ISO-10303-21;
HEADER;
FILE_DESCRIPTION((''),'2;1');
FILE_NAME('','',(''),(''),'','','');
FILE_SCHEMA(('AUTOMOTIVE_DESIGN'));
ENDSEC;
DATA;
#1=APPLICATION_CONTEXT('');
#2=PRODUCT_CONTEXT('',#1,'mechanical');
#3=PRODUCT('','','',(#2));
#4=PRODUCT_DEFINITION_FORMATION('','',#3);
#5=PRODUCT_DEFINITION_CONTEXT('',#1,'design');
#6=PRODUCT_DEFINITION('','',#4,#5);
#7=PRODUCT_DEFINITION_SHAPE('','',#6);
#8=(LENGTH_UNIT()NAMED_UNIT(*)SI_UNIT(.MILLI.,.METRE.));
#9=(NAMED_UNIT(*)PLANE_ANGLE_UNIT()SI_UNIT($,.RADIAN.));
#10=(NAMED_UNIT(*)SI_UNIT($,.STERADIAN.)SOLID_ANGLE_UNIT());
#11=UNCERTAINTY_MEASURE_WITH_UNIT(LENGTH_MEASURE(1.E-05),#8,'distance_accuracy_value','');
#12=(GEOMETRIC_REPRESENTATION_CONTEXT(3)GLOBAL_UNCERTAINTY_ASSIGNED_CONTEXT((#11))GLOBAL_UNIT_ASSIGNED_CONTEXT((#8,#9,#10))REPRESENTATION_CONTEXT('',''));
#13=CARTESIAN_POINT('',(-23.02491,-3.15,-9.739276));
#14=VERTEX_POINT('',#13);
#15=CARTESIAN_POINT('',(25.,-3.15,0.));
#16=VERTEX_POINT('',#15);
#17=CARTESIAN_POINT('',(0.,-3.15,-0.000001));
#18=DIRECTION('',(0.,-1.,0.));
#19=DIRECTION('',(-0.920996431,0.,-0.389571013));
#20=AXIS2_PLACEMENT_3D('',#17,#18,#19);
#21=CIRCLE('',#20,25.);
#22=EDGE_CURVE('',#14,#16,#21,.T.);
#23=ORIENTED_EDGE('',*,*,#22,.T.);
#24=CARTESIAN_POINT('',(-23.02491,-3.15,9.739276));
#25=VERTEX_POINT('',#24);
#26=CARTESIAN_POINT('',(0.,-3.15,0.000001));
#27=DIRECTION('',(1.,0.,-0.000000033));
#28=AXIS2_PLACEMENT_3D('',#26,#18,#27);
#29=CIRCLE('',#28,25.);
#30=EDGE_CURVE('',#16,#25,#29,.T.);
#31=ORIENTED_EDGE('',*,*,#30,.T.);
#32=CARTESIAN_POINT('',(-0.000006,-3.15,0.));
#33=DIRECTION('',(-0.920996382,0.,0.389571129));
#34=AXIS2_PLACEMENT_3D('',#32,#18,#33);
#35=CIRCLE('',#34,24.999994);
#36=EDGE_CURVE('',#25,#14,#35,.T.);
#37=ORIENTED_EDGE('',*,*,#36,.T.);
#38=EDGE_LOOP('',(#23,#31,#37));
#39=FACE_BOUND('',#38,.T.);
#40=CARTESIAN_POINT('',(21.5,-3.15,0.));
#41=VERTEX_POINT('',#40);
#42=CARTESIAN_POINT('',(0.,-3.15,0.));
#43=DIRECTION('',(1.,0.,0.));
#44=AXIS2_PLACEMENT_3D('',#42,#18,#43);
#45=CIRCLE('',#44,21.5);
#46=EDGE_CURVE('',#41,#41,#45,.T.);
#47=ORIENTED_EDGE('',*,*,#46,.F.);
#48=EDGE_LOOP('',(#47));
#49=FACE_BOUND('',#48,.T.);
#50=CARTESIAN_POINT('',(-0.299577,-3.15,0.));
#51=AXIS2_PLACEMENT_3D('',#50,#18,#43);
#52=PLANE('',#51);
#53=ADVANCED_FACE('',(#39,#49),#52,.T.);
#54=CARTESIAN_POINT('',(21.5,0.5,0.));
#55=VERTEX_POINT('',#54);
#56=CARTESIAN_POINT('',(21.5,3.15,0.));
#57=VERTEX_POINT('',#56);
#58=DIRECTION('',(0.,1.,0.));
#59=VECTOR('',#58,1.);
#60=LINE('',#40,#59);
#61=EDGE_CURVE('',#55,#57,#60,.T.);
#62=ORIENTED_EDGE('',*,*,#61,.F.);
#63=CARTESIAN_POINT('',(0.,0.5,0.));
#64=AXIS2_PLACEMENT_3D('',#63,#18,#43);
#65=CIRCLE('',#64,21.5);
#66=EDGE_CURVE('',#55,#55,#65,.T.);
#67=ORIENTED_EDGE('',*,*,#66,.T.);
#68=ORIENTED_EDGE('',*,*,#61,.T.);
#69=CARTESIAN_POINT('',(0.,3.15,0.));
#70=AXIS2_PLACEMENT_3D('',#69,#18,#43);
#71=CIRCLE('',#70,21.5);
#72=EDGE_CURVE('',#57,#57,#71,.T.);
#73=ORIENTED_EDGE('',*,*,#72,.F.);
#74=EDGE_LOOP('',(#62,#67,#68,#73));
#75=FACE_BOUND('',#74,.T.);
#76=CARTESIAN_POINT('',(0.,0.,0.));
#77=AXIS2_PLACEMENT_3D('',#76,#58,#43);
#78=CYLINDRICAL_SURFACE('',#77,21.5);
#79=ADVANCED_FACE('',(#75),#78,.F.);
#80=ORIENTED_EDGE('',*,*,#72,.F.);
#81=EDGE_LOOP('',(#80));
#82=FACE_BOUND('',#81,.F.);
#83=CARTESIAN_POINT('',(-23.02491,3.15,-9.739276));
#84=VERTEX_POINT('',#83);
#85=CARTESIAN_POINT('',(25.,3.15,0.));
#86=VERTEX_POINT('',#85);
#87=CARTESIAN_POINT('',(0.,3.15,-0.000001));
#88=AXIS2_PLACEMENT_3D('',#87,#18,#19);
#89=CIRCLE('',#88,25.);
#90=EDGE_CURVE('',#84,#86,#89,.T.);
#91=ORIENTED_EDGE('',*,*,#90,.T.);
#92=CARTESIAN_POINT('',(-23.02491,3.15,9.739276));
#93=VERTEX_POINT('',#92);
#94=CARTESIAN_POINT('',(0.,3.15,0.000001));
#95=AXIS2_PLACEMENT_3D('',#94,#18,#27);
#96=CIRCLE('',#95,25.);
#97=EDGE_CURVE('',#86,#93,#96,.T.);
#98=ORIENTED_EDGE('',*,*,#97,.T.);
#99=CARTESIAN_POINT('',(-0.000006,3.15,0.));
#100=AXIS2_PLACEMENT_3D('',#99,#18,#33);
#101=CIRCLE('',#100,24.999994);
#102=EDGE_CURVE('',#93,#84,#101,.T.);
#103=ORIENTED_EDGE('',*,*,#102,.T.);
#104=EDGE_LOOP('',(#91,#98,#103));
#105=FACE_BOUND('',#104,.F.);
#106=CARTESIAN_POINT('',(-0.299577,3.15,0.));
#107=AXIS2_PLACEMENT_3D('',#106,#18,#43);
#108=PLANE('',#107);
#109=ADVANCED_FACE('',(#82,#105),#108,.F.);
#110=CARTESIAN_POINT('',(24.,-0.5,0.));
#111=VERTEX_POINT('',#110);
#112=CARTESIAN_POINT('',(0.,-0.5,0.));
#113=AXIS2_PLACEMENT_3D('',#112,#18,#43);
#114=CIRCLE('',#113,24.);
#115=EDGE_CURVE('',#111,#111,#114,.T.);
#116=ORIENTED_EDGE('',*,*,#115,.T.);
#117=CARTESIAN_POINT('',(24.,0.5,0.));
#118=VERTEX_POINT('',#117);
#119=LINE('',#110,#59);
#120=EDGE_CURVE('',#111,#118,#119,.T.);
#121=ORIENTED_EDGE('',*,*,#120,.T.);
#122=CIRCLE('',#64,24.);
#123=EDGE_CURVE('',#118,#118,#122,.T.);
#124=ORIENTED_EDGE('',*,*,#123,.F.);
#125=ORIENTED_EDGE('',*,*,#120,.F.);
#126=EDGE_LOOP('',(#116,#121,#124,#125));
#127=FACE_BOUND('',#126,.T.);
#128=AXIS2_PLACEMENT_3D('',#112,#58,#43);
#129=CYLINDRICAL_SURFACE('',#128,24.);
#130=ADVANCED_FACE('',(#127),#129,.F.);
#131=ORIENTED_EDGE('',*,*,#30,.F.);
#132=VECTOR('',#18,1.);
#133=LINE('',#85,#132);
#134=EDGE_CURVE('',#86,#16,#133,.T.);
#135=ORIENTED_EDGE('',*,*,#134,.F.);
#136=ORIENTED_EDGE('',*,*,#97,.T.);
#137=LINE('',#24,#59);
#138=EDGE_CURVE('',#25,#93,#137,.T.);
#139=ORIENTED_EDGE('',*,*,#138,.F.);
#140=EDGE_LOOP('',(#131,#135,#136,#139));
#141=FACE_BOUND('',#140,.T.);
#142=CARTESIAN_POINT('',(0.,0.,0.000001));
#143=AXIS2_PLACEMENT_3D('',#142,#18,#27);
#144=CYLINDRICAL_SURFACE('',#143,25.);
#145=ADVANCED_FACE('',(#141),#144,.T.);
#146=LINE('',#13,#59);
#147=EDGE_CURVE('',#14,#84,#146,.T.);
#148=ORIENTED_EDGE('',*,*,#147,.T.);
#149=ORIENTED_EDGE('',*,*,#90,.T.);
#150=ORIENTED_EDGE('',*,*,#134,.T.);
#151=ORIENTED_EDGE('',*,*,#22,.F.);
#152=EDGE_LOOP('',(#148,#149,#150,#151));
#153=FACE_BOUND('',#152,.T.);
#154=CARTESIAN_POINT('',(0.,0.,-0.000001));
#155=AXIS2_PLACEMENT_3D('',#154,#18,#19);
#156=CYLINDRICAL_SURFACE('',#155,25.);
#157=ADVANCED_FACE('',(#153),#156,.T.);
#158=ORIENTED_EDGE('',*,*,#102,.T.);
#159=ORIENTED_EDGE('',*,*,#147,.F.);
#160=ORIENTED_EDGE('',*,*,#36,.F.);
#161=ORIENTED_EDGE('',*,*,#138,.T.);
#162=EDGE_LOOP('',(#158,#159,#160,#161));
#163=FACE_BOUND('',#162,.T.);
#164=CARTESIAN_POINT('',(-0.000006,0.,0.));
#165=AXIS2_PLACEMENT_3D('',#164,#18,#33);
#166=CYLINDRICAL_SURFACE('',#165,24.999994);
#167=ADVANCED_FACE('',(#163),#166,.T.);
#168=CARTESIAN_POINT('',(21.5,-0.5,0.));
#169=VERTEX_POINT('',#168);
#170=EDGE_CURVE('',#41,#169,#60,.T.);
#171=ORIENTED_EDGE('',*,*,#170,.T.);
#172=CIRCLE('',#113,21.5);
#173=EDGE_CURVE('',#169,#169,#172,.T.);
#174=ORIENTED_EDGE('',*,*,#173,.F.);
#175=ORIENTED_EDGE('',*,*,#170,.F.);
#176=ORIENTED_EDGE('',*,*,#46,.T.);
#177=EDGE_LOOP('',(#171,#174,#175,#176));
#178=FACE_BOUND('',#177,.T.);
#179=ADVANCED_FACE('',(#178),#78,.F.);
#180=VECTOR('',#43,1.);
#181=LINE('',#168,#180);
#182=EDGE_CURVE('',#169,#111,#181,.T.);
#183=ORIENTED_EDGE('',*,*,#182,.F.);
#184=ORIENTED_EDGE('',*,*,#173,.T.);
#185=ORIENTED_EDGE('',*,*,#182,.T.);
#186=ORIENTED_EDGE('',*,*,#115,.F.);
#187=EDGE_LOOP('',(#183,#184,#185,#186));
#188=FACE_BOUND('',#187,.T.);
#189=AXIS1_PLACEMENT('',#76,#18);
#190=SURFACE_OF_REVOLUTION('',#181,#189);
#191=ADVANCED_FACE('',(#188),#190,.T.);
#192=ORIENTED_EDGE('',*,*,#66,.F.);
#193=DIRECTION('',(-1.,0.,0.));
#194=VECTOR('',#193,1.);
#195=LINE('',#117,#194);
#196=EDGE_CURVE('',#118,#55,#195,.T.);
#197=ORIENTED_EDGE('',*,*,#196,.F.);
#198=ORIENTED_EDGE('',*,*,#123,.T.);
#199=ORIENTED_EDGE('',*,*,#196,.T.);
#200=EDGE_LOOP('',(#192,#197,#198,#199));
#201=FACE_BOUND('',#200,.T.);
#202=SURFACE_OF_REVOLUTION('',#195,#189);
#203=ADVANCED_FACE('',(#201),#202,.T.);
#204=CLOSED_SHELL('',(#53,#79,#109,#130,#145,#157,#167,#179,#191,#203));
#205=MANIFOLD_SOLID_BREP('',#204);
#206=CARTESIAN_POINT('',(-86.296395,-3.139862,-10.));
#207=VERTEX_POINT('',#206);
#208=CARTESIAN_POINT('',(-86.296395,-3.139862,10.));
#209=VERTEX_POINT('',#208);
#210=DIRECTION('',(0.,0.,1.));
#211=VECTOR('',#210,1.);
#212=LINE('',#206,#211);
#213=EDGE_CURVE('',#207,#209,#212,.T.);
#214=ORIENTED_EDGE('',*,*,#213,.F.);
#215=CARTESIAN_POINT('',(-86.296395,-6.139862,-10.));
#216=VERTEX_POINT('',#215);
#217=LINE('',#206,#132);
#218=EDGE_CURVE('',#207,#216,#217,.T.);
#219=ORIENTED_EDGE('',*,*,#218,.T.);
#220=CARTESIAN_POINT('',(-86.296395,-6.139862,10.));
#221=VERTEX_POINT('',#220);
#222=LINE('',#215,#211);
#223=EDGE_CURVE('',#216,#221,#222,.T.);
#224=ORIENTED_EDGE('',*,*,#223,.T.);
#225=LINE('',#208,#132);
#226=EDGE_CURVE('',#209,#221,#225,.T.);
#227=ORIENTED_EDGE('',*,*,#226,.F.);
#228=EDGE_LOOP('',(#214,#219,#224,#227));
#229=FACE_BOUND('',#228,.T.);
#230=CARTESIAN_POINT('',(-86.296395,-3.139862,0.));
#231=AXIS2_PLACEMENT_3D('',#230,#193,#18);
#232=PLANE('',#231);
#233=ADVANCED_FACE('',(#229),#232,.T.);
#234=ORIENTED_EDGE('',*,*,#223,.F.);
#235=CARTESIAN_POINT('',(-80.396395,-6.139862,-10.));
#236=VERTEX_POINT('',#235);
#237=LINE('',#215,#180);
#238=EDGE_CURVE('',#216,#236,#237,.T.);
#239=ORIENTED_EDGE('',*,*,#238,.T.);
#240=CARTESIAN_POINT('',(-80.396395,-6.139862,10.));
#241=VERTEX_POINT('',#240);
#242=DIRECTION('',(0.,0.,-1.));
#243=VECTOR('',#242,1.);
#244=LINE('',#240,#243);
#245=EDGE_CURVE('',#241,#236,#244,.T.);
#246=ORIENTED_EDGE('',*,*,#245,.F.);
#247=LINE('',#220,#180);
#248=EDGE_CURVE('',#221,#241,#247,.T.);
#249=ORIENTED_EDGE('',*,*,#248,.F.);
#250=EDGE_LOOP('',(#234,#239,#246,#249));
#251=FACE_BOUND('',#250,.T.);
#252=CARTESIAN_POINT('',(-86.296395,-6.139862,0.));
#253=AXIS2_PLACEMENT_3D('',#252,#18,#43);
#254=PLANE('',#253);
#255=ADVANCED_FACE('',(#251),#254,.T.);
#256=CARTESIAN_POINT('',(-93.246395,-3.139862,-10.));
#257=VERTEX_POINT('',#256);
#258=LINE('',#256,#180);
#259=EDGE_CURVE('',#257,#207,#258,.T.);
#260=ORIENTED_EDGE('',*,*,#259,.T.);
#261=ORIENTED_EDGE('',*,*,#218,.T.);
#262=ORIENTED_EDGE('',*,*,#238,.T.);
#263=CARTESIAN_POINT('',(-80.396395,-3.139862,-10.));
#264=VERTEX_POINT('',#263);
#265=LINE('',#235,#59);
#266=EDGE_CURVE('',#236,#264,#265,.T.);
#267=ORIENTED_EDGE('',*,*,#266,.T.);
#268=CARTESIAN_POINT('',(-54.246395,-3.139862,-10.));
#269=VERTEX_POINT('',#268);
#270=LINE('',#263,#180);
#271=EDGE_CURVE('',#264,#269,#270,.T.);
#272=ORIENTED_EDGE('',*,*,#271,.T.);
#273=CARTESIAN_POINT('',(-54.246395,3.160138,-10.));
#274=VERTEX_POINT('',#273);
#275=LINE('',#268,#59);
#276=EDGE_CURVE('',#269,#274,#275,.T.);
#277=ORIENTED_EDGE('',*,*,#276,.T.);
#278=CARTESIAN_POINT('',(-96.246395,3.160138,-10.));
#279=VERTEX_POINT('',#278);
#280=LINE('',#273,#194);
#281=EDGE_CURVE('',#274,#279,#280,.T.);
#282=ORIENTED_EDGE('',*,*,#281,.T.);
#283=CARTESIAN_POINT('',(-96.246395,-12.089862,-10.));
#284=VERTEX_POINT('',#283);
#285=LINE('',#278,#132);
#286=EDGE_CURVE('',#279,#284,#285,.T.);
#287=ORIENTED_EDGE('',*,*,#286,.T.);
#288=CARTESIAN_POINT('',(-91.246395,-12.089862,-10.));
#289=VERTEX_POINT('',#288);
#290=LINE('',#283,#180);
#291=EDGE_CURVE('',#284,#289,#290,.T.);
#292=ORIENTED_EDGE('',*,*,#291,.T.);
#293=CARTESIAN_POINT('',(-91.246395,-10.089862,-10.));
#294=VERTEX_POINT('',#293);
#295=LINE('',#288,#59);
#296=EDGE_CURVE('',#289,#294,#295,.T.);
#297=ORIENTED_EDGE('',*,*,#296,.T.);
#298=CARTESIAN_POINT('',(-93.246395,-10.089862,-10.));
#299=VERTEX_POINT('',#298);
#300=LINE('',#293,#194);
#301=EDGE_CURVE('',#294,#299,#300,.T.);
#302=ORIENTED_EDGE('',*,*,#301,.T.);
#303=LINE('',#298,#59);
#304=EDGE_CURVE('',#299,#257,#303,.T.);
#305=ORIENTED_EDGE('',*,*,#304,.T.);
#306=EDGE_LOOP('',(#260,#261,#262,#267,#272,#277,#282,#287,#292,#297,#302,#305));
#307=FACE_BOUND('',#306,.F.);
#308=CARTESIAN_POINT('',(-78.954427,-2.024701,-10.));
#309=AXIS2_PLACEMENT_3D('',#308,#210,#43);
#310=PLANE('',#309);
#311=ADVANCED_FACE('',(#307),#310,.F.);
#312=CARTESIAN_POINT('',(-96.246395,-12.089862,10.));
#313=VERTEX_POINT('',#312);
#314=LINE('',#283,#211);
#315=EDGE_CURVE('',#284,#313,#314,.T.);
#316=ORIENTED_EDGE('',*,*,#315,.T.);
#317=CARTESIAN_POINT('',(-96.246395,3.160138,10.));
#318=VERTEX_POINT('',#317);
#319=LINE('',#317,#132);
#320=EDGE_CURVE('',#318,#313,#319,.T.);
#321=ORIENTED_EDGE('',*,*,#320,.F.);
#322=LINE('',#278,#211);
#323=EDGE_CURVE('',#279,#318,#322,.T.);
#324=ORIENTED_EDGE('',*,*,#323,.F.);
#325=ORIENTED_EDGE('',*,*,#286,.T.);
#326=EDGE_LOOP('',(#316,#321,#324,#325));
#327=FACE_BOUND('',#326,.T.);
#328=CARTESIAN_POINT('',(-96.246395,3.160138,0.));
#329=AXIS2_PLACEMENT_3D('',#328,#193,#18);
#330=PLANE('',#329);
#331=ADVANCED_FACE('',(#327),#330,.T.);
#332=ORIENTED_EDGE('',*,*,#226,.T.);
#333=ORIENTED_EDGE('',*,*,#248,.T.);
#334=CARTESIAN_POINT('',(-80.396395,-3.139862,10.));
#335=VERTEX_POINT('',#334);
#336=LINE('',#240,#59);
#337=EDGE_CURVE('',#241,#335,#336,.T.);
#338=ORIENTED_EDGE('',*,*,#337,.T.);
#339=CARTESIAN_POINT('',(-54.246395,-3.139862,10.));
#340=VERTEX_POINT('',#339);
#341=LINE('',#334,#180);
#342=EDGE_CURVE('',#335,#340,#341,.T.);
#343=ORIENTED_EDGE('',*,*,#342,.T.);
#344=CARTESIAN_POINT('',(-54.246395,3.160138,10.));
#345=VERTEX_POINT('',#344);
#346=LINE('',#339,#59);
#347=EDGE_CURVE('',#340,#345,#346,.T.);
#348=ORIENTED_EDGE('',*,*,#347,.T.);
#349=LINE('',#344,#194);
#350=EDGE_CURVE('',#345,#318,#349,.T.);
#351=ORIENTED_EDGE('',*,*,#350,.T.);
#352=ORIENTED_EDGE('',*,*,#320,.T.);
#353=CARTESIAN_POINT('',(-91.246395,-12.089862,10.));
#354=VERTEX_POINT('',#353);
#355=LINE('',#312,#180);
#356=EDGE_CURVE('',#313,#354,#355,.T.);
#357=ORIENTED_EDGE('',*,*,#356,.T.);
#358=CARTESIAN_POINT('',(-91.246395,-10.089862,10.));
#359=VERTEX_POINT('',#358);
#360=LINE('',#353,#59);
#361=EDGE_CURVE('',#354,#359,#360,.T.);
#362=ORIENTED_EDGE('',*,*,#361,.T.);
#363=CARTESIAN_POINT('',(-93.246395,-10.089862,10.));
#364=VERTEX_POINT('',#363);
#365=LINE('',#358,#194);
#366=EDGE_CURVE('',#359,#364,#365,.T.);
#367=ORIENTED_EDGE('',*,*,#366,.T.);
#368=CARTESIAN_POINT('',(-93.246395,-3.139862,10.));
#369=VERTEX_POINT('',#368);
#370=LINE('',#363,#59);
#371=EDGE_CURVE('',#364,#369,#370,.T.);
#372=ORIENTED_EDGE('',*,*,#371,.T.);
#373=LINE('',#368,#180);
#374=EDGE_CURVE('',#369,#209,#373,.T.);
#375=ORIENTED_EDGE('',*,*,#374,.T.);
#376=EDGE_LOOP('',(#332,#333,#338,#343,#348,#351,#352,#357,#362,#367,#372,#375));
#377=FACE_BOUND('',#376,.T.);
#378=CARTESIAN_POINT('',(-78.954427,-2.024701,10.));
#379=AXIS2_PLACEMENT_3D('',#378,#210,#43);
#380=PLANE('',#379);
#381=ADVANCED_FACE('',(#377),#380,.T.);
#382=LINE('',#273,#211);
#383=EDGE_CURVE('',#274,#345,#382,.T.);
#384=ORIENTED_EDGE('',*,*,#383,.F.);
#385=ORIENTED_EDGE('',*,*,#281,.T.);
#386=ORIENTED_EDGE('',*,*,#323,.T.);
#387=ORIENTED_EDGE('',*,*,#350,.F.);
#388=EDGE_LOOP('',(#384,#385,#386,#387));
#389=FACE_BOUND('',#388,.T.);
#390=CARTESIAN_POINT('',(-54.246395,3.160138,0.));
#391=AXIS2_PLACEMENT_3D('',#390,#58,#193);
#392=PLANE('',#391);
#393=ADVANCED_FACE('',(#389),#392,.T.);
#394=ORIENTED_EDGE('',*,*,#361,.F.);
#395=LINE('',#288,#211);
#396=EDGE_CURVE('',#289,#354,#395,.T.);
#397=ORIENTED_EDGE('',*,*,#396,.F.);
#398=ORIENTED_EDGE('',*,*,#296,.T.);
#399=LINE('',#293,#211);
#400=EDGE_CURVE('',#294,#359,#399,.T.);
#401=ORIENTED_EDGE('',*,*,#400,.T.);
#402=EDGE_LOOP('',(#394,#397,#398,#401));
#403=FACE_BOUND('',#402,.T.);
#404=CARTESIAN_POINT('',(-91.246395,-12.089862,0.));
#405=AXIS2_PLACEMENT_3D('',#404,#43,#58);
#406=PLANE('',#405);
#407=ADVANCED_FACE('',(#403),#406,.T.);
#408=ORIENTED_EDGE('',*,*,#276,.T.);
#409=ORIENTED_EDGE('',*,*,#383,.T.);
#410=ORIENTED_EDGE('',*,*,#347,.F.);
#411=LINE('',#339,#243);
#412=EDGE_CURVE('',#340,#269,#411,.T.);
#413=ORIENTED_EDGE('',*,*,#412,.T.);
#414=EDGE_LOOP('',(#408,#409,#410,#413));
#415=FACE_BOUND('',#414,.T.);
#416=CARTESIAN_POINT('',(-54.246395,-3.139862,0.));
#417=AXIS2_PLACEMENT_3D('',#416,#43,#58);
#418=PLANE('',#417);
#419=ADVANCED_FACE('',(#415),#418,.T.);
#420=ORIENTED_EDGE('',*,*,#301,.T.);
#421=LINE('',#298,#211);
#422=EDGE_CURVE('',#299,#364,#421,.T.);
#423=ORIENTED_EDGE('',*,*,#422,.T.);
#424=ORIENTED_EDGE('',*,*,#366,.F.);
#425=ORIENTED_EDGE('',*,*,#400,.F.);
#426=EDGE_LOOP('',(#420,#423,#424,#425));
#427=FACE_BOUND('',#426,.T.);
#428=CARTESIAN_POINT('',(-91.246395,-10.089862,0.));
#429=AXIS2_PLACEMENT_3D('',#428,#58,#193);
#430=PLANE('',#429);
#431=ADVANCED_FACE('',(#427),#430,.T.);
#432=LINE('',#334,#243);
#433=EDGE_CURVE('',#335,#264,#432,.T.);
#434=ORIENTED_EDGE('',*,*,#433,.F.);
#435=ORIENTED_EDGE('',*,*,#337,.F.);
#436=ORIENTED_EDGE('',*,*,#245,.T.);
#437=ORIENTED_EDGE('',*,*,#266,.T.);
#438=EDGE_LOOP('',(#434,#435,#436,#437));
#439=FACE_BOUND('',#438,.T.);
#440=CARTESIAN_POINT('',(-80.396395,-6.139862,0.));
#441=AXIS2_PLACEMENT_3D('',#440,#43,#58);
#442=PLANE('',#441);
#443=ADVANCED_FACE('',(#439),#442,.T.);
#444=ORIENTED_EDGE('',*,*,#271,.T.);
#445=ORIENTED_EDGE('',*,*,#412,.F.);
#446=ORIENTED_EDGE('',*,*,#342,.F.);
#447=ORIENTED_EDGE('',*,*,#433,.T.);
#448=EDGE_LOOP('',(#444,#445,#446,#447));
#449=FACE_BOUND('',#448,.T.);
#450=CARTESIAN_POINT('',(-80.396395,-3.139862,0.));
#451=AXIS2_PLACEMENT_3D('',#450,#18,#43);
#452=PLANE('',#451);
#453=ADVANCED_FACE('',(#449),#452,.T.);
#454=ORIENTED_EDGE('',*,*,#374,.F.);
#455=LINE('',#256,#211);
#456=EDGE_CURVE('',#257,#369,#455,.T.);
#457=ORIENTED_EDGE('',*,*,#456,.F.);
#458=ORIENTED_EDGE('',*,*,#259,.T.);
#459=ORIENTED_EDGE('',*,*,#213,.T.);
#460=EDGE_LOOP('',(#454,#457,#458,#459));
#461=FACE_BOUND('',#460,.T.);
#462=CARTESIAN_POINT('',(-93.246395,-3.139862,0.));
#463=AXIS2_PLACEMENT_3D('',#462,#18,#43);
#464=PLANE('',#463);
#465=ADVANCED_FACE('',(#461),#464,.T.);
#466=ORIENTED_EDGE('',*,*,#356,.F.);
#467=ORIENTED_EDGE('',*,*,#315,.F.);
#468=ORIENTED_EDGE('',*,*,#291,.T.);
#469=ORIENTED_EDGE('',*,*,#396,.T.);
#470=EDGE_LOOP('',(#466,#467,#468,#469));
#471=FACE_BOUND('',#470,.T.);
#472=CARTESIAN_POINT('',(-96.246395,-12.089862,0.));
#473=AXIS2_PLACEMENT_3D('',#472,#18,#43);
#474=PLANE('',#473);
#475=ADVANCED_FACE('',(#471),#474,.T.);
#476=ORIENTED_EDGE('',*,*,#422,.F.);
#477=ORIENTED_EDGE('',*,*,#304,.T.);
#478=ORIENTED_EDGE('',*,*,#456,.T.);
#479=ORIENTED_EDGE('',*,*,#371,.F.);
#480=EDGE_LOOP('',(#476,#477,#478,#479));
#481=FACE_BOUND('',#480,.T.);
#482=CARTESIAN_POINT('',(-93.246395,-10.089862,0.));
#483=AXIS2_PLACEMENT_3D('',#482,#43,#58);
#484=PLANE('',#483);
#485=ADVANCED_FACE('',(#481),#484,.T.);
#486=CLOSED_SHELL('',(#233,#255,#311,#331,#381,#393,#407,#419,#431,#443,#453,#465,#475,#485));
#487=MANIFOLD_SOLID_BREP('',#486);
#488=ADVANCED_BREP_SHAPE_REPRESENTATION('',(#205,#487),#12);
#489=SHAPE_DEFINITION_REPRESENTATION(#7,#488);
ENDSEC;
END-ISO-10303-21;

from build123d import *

# Parameters (mm, degrees)
F0_R     = 21.5
F1_DEPTH = 3.15
F5_DEPTH = 10


with BuildPart() as f1:
    # F0 (on Front) → F1 (new body, symmetric)
    with BuildSketch(Plane.XZ):
        with BuildLine():
            ThreePointArc((-23.02491, -9.739276), (4.968765, -24.501253), (25, 0))
            ThreePointArc((25, 0), (4.968765, 24.501253), (-23.02491, 9.739276))
            ThreePointArc((-23.02491, 9.739276), (-25, 0), (-23.02491, -9.739276))
        make_face()
        Circle(F0_R, mode=Mode.SUBTRACT)
    extrude(amount=F1_DEPTH, both=True)

    # F3: sweep along a path in F0
    with BuildLine(Plane.XZ) as f3_path:
        CenterArc((0, 0), 21.5, 0, 360)
    # F2 (on Top) → F3 (sweep, cut)
    with BuildSketch(Plane.XY):
        Polygon((21.5, 0), (21.5, -0.5), (24, -0.5), (24, 0.5), (21.5, 0.5), align=None)
    sweep(path=f3_path.line, mode=Mode.SUBTRACT)


with BuildPart() as f5:
    # F4 (on Top) → F5 (new body, symmetric)
    with BuildSketch(Plane.XY):
        Polygon((-54.246395, -3.139862), (-54.246395, 3.160138), (-96.246395, 3.160138), (-96.246395, -12.089862), (-91.246395, -12.089862), (-91.246395, -10.089862), (-93.246395, -10.089862), (-93.246395, -3.139862), (-86.296395, -3.139862), (-86.296395, -6.139862), (-80.396395, -6.139862), (-80.396395, -3.139862), align=None)
    extrude(amount=F5_DEPTH, both=True)


solid = Compound([f1.part, f5.part])
